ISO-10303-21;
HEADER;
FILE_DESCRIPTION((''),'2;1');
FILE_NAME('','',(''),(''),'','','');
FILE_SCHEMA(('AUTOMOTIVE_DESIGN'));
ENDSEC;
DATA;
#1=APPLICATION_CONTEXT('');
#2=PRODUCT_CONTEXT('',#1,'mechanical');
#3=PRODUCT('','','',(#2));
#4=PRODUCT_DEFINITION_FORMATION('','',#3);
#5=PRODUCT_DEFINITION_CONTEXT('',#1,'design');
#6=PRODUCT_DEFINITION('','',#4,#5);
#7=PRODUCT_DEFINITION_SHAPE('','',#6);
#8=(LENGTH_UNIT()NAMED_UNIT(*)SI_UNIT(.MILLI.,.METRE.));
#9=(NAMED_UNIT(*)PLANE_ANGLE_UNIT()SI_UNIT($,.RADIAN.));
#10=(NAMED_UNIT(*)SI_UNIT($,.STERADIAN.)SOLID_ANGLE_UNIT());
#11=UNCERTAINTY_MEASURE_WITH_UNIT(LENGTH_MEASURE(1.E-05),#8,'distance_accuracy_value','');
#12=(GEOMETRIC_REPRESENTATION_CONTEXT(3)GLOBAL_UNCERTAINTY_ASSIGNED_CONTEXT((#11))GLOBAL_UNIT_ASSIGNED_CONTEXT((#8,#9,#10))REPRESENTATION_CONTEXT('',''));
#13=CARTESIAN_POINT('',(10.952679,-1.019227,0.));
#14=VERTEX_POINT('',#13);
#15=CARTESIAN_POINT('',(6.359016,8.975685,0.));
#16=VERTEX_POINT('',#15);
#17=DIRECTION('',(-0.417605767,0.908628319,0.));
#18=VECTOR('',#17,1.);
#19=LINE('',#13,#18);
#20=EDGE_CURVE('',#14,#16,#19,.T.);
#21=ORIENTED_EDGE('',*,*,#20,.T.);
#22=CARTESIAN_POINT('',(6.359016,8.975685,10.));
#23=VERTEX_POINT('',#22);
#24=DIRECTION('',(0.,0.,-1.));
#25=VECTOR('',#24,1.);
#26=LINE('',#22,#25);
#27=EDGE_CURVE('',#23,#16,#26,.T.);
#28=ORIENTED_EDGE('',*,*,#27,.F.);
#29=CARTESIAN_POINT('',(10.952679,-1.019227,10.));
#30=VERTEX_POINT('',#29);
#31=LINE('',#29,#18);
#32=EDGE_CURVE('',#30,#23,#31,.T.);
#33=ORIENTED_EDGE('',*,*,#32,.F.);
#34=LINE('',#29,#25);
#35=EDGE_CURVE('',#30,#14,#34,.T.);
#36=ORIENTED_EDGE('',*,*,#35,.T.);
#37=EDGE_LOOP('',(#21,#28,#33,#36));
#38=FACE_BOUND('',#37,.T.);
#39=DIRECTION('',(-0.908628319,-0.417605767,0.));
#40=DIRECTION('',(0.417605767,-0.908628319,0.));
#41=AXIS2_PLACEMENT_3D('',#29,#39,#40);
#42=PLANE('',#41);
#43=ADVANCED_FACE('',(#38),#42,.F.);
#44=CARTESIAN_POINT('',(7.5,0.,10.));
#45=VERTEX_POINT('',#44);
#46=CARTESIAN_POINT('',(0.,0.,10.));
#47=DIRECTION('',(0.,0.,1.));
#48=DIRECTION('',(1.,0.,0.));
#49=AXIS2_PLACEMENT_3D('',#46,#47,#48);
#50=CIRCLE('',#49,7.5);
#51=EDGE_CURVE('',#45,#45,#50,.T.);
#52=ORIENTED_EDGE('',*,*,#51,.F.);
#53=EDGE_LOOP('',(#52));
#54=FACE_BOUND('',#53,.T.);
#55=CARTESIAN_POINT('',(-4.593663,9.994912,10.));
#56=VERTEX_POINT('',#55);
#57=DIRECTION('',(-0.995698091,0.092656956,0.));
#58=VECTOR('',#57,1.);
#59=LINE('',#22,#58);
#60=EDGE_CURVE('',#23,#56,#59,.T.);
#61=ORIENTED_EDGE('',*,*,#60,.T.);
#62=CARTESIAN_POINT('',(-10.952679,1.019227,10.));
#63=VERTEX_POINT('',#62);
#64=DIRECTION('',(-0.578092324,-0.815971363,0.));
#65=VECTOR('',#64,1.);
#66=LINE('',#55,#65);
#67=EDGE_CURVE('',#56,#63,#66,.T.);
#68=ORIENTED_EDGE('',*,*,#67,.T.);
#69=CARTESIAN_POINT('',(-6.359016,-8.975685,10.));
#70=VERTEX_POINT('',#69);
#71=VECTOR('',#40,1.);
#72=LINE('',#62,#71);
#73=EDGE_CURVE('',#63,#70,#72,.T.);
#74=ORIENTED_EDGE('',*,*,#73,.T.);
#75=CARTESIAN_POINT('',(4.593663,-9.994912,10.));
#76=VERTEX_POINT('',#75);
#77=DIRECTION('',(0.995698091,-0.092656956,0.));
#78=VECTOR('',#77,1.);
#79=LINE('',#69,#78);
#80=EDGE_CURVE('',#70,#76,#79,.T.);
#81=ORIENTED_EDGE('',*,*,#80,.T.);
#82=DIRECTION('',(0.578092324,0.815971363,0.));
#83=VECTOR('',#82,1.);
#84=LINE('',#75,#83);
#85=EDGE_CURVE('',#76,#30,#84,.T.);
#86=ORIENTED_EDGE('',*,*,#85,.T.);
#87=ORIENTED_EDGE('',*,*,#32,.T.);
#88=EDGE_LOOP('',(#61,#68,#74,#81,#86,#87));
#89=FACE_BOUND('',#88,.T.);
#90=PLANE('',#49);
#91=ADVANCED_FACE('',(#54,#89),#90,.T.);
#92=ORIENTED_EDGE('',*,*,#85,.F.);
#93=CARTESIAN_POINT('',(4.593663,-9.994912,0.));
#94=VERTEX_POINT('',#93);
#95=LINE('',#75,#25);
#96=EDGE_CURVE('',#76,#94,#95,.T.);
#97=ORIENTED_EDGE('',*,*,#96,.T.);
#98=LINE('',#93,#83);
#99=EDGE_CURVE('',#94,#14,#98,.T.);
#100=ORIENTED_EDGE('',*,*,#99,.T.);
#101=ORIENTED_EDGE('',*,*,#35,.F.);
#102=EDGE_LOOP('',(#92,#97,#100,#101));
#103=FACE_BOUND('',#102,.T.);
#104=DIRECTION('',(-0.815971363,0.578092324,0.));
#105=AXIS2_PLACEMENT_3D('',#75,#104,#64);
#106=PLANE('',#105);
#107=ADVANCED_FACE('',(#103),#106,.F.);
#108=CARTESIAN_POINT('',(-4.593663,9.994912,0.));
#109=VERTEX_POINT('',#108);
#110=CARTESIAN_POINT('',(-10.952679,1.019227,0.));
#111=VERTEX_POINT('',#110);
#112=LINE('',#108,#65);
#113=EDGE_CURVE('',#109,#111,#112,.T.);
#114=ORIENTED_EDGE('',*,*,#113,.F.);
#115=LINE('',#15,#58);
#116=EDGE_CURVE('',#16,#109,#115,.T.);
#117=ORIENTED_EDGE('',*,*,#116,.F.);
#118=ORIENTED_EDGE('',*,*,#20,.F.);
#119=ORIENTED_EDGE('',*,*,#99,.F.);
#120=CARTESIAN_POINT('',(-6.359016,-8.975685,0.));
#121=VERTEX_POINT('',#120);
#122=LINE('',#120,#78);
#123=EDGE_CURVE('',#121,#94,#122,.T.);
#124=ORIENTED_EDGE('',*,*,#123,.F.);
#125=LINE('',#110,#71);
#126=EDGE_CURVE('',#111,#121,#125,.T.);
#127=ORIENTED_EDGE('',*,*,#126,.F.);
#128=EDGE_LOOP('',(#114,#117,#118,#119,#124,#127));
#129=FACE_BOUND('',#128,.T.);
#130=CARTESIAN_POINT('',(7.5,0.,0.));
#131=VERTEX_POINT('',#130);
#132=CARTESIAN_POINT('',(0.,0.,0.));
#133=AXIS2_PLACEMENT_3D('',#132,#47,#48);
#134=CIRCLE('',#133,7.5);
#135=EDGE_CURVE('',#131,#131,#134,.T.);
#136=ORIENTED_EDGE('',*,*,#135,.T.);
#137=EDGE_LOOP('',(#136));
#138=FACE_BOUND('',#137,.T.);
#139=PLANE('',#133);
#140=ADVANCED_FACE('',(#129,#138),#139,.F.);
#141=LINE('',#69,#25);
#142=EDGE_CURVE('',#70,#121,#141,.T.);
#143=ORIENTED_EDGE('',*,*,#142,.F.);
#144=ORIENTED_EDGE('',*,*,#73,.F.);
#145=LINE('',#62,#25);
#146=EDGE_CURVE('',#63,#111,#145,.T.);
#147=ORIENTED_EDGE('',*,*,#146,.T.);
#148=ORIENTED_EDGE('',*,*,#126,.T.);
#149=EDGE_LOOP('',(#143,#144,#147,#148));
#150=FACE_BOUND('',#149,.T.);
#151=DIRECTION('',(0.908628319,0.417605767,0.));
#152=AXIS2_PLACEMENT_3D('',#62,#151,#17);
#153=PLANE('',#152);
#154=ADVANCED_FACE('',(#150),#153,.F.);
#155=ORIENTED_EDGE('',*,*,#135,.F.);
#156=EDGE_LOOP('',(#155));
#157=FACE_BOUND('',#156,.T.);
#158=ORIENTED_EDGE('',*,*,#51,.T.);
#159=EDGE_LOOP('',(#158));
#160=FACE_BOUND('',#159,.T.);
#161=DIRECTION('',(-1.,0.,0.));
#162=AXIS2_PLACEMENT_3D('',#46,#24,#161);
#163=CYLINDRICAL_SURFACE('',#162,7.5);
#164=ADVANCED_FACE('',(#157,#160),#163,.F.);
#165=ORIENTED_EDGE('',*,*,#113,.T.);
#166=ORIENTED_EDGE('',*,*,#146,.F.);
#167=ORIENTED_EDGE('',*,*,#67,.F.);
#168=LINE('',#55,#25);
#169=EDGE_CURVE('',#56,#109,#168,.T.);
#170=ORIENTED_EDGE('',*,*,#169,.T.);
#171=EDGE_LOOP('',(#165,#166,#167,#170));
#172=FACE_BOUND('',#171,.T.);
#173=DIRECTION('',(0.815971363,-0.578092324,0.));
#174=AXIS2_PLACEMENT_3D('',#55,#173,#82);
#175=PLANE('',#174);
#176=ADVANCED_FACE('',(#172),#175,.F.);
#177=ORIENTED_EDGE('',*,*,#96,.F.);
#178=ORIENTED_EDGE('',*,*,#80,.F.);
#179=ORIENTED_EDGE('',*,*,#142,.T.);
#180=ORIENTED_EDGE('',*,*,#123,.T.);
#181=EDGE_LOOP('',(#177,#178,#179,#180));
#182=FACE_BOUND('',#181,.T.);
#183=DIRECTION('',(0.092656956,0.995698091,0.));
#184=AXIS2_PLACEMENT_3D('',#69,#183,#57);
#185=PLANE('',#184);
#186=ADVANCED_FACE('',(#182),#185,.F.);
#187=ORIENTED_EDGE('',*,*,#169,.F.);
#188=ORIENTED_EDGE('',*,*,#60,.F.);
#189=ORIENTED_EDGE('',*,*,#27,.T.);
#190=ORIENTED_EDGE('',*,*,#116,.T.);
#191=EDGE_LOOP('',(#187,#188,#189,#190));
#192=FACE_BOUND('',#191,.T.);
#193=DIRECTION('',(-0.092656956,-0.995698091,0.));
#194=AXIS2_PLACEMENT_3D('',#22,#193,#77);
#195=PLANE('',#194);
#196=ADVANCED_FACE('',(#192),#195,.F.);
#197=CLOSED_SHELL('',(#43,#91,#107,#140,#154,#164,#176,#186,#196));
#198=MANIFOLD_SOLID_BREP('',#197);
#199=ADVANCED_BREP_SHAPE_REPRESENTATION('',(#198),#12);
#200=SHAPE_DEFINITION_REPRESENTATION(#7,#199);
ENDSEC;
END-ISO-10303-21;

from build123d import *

# Parameters (mm, degrees)
ESBO_O1_R                = 7.5
RESSALTO_EXTRUS_O1_DEPTH = 10


with BuildPart() as part:
    # Esboço1 → Ressalto-extrusão1 (new body)
    with BuildSketch(Plane.XY):
        Polygon((6.359015559, 8.975684995), (-4.593663442, 9.994911514), (-10.952679001, 1.01922652), (-6.359015559, -8.975684995), (4.593663442, -9.994911514), (10.952679001, -1.01922652), align=None)
        Circle(ESBO_O1_R, mode=Mode.SUBTRACT)
    extrude(amount=RESSALTO_EXTRUS_O1_DEPTH)


solid = part.part
